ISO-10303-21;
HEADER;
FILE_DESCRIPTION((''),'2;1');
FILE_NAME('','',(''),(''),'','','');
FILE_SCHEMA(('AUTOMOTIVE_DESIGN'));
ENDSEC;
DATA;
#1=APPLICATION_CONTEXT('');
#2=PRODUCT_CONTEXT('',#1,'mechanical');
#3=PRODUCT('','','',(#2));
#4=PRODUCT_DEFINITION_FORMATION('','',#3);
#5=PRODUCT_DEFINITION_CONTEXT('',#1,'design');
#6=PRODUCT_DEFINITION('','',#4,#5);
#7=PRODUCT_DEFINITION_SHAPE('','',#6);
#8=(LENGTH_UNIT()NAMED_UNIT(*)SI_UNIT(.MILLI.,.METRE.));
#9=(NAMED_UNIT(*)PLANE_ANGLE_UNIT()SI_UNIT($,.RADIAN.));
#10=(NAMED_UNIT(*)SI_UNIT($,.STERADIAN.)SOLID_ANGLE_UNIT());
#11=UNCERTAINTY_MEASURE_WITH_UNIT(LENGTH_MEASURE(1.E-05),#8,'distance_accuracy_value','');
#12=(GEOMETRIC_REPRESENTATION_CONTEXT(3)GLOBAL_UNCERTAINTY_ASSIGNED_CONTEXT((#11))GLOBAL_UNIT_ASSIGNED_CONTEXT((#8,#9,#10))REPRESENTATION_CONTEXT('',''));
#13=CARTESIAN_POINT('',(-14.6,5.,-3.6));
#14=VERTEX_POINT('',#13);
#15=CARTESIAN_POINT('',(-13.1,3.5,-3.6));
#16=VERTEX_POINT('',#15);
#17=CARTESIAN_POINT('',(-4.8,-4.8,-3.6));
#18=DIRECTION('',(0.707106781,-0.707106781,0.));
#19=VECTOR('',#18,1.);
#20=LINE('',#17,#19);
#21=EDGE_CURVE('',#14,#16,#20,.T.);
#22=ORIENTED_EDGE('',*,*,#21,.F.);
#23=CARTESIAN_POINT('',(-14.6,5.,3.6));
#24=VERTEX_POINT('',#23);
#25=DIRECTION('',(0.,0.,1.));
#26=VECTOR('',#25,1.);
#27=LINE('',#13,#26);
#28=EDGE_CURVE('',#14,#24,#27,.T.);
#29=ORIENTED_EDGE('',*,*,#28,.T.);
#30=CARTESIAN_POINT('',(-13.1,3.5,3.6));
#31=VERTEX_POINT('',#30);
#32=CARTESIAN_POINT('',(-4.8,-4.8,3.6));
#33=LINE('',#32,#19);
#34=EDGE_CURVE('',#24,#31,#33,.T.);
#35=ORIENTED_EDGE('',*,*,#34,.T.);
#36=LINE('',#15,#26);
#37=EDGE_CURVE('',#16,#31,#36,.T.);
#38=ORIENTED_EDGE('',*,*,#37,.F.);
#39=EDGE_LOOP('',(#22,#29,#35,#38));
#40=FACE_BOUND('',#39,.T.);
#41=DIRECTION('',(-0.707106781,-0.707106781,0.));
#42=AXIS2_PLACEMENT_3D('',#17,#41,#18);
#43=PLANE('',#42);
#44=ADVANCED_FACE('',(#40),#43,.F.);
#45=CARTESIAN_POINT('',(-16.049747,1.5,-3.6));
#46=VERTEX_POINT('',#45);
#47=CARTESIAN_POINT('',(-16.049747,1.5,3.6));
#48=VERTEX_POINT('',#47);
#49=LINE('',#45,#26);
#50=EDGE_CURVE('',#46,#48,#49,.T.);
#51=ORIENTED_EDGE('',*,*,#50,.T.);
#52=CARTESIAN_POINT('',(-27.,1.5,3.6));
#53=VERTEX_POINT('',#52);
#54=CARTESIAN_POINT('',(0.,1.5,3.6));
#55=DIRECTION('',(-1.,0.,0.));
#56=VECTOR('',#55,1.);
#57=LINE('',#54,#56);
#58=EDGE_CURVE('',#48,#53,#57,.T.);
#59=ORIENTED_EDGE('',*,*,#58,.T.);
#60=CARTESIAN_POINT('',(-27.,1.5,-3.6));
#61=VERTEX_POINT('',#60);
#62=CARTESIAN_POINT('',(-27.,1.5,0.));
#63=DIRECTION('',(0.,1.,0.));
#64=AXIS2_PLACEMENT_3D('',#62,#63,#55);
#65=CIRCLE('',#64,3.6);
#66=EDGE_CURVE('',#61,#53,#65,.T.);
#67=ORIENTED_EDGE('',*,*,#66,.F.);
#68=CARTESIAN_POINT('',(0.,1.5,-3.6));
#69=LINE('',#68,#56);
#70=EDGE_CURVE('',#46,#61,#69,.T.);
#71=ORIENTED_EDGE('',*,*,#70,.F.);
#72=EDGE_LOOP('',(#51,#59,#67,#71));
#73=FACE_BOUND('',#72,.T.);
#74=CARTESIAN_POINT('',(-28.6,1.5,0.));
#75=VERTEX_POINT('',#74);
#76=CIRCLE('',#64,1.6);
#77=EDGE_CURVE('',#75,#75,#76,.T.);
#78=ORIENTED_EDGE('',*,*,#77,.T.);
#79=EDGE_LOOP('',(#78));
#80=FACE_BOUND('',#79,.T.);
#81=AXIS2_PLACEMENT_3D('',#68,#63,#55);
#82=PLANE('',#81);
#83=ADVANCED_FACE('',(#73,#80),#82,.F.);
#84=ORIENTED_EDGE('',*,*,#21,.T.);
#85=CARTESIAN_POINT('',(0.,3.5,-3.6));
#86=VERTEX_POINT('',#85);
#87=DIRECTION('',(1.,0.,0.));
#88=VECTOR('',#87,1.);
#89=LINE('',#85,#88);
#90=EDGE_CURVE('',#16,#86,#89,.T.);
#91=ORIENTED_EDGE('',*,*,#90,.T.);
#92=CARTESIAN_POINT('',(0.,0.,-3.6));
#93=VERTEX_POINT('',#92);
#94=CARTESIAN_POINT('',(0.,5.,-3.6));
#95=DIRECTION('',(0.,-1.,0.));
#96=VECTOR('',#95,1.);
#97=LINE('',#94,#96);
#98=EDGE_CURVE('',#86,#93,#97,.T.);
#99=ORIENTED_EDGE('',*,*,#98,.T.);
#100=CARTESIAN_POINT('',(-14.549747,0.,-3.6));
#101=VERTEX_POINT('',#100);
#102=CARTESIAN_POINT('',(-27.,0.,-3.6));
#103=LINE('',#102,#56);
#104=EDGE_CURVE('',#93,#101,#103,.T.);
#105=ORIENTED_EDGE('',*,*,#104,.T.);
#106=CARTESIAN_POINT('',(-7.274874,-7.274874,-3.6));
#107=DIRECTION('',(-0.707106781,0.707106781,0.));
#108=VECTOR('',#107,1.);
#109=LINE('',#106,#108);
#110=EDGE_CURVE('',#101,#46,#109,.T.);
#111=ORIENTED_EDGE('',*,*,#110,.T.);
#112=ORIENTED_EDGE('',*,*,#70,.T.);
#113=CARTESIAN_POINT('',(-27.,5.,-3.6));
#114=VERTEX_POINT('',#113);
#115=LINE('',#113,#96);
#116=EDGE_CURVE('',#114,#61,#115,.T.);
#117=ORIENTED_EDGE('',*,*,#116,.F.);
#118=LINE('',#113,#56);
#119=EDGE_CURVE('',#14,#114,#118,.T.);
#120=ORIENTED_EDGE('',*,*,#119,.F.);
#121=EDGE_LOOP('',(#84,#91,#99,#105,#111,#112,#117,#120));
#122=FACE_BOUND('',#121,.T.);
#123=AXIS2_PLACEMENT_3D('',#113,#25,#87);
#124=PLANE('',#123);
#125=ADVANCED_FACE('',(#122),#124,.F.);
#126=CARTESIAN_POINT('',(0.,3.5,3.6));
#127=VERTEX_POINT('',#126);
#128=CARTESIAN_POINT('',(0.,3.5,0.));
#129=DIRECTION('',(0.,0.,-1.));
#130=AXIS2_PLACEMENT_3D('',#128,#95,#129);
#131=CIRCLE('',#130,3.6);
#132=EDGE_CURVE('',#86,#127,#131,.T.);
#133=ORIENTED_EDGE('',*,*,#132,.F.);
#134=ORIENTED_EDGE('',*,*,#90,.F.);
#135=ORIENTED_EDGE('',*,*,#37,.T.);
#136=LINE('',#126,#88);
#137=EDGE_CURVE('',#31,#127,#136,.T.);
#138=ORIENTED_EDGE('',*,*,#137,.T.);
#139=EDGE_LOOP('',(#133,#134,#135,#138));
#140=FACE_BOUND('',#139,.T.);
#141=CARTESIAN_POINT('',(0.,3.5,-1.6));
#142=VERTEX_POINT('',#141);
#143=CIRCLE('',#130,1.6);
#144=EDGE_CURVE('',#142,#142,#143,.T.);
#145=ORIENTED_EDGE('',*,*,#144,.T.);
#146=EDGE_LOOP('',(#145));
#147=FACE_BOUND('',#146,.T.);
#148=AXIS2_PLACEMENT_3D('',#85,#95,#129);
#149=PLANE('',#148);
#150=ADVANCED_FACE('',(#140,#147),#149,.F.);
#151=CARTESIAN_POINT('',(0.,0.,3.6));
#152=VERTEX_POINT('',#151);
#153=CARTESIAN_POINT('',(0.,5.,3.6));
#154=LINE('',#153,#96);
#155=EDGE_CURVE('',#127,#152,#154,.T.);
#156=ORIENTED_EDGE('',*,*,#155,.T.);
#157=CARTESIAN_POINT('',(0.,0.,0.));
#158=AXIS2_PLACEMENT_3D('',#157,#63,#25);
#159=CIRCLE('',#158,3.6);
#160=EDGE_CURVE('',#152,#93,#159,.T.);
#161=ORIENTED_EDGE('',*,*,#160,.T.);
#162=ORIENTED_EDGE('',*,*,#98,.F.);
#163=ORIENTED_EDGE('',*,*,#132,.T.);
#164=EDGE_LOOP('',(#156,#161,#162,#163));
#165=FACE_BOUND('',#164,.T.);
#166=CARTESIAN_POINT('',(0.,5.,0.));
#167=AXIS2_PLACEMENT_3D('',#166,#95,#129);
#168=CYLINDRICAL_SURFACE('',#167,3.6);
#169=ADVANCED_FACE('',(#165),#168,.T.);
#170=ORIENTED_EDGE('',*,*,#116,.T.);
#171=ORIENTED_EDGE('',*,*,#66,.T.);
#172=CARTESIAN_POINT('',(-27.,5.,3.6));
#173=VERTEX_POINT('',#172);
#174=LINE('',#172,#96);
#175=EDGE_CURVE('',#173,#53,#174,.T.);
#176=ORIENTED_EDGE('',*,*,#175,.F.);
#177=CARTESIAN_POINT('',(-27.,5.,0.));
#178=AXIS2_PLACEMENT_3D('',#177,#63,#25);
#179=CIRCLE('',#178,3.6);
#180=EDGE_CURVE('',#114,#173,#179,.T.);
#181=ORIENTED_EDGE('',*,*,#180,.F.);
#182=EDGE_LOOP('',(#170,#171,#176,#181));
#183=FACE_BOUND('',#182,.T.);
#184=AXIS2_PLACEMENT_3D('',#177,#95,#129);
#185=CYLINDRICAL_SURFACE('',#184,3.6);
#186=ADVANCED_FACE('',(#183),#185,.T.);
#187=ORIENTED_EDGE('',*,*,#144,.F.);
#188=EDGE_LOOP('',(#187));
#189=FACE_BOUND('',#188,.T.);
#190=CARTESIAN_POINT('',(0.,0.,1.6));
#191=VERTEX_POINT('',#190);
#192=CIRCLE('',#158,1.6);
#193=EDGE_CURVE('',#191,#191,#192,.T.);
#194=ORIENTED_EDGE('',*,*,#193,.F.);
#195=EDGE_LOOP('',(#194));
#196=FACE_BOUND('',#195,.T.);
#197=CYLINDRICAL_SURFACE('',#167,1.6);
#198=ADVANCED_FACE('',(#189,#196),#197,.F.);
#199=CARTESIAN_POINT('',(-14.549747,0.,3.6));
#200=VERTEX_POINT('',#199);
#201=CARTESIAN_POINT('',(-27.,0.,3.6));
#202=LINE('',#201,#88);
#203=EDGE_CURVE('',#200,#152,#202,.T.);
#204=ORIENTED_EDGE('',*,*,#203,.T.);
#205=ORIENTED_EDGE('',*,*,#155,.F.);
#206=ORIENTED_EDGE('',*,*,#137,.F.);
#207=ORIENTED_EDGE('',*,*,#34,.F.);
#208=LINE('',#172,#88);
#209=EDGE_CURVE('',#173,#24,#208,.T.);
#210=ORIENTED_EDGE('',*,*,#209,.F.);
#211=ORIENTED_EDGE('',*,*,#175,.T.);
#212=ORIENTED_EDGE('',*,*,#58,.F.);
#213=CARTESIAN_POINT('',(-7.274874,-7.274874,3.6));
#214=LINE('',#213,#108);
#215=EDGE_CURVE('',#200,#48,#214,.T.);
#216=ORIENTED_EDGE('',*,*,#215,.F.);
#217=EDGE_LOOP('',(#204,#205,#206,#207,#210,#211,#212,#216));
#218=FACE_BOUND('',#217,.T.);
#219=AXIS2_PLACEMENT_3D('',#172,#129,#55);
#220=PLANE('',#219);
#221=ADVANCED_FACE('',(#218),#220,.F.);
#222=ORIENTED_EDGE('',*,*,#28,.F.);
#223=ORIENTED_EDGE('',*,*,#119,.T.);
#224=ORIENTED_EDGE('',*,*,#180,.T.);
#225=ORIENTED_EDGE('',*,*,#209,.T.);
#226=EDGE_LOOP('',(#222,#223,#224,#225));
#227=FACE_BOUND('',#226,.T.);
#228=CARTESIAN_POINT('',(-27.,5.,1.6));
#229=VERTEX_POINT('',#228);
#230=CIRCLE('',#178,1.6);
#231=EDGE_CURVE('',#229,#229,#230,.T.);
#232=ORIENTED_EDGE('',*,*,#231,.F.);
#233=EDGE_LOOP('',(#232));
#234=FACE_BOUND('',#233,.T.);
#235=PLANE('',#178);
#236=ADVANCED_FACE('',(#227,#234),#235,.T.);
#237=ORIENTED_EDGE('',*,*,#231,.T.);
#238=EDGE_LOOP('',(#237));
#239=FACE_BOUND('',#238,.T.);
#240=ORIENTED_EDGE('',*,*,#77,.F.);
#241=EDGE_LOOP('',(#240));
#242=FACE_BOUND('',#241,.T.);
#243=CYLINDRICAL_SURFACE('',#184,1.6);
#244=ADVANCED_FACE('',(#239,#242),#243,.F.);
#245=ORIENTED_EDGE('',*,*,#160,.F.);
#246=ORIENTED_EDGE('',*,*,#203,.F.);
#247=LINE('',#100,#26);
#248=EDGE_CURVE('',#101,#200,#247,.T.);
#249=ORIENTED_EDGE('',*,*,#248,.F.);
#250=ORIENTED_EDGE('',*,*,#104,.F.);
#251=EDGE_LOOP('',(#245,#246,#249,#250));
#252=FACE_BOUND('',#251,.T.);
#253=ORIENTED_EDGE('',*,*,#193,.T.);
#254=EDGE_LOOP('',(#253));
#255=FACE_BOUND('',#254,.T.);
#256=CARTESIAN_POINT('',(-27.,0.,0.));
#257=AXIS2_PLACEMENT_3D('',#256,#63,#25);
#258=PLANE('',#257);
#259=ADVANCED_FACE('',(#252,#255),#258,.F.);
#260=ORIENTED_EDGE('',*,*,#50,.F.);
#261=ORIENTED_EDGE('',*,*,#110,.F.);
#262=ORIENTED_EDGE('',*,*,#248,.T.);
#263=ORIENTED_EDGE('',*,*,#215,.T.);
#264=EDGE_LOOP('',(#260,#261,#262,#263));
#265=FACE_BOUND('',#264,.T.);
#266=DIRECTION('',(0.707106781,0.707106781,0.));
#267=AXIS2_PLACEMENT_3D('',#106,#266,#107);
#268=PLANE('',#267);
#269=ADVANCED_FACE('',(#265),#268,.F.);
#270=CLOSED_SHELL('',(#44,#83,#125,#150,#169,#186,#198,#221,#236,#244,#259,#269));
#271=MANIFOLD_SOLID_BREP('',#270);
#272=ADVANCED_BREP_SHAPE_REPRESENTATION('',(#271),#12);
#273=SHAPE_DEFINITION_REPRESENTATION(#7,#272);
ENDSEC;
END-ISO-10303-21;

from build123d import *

# Parameters (mm, degrees)
SKETCH1_R           = 1.6
BOSS_EXTRUDE1_DEPTH = 5
SKETCH2_W           = 3.6
SKETCH2_H           = 1.5
CUT_EXTRUDE1_DEPTH  = 32.830802692


with BuildPart() as part:
    # Sketch1 → Boss-Extrude1 (new body)
    with BuildSketch(Plane(origin=(0, 0, 0), x_dir=(1, 0, 0), z_dir=(0, 1, 0))):
        with BuildLine():
            Line((-27, 3.6), (0, 3.6))
            ThreePointArc((0, 3.6), (3.6, 0), (0, -3.6))
            Line((0, -3.6), (-27, -3.6))
            ThreePointArc((-27, -3.6), (-30.6, 0), (-27, 3.6))
        make_face()
        with Locations(Location((0, 0, 0), (0, 0, 270))):
            Circle(SKETCH1_R, mode=Mode.SUBTRACT)
        with Locations(Location((-27, 0, 0), (0, 0, 270))):
            Circle(SKETCH1_R, mode=Mode.SUBTRACT)
    extrude(amount=BOSS_EXTRUDE1_DEPTH)

    # Sketch2 → Cut-Extrude1 (cut, through all)
    with BuildSketch(Plane.XY.offset(3.6)):
        Polygon((-16.049747468, 1.5), (-27, 1.5), (-27, 0), (-14.549747468, 0), align=None)
        with Locations((-28.8, 0.75)):
            Rectangle(SKETCH2_W, SKETCH2_H)
        Polygon((0, 5), (-14.6, 5), (-13.1, 3.5), (0, 3.5), align=None)
        with Locations((1.8, 4.25)):
            Rectangle(SKETCH2_W, SKETCH2_H)
    extrude(amount=-CUT_EXTRUDE1_DEPTH, mode=Mode.SUBTRACT)


solid = part.part
